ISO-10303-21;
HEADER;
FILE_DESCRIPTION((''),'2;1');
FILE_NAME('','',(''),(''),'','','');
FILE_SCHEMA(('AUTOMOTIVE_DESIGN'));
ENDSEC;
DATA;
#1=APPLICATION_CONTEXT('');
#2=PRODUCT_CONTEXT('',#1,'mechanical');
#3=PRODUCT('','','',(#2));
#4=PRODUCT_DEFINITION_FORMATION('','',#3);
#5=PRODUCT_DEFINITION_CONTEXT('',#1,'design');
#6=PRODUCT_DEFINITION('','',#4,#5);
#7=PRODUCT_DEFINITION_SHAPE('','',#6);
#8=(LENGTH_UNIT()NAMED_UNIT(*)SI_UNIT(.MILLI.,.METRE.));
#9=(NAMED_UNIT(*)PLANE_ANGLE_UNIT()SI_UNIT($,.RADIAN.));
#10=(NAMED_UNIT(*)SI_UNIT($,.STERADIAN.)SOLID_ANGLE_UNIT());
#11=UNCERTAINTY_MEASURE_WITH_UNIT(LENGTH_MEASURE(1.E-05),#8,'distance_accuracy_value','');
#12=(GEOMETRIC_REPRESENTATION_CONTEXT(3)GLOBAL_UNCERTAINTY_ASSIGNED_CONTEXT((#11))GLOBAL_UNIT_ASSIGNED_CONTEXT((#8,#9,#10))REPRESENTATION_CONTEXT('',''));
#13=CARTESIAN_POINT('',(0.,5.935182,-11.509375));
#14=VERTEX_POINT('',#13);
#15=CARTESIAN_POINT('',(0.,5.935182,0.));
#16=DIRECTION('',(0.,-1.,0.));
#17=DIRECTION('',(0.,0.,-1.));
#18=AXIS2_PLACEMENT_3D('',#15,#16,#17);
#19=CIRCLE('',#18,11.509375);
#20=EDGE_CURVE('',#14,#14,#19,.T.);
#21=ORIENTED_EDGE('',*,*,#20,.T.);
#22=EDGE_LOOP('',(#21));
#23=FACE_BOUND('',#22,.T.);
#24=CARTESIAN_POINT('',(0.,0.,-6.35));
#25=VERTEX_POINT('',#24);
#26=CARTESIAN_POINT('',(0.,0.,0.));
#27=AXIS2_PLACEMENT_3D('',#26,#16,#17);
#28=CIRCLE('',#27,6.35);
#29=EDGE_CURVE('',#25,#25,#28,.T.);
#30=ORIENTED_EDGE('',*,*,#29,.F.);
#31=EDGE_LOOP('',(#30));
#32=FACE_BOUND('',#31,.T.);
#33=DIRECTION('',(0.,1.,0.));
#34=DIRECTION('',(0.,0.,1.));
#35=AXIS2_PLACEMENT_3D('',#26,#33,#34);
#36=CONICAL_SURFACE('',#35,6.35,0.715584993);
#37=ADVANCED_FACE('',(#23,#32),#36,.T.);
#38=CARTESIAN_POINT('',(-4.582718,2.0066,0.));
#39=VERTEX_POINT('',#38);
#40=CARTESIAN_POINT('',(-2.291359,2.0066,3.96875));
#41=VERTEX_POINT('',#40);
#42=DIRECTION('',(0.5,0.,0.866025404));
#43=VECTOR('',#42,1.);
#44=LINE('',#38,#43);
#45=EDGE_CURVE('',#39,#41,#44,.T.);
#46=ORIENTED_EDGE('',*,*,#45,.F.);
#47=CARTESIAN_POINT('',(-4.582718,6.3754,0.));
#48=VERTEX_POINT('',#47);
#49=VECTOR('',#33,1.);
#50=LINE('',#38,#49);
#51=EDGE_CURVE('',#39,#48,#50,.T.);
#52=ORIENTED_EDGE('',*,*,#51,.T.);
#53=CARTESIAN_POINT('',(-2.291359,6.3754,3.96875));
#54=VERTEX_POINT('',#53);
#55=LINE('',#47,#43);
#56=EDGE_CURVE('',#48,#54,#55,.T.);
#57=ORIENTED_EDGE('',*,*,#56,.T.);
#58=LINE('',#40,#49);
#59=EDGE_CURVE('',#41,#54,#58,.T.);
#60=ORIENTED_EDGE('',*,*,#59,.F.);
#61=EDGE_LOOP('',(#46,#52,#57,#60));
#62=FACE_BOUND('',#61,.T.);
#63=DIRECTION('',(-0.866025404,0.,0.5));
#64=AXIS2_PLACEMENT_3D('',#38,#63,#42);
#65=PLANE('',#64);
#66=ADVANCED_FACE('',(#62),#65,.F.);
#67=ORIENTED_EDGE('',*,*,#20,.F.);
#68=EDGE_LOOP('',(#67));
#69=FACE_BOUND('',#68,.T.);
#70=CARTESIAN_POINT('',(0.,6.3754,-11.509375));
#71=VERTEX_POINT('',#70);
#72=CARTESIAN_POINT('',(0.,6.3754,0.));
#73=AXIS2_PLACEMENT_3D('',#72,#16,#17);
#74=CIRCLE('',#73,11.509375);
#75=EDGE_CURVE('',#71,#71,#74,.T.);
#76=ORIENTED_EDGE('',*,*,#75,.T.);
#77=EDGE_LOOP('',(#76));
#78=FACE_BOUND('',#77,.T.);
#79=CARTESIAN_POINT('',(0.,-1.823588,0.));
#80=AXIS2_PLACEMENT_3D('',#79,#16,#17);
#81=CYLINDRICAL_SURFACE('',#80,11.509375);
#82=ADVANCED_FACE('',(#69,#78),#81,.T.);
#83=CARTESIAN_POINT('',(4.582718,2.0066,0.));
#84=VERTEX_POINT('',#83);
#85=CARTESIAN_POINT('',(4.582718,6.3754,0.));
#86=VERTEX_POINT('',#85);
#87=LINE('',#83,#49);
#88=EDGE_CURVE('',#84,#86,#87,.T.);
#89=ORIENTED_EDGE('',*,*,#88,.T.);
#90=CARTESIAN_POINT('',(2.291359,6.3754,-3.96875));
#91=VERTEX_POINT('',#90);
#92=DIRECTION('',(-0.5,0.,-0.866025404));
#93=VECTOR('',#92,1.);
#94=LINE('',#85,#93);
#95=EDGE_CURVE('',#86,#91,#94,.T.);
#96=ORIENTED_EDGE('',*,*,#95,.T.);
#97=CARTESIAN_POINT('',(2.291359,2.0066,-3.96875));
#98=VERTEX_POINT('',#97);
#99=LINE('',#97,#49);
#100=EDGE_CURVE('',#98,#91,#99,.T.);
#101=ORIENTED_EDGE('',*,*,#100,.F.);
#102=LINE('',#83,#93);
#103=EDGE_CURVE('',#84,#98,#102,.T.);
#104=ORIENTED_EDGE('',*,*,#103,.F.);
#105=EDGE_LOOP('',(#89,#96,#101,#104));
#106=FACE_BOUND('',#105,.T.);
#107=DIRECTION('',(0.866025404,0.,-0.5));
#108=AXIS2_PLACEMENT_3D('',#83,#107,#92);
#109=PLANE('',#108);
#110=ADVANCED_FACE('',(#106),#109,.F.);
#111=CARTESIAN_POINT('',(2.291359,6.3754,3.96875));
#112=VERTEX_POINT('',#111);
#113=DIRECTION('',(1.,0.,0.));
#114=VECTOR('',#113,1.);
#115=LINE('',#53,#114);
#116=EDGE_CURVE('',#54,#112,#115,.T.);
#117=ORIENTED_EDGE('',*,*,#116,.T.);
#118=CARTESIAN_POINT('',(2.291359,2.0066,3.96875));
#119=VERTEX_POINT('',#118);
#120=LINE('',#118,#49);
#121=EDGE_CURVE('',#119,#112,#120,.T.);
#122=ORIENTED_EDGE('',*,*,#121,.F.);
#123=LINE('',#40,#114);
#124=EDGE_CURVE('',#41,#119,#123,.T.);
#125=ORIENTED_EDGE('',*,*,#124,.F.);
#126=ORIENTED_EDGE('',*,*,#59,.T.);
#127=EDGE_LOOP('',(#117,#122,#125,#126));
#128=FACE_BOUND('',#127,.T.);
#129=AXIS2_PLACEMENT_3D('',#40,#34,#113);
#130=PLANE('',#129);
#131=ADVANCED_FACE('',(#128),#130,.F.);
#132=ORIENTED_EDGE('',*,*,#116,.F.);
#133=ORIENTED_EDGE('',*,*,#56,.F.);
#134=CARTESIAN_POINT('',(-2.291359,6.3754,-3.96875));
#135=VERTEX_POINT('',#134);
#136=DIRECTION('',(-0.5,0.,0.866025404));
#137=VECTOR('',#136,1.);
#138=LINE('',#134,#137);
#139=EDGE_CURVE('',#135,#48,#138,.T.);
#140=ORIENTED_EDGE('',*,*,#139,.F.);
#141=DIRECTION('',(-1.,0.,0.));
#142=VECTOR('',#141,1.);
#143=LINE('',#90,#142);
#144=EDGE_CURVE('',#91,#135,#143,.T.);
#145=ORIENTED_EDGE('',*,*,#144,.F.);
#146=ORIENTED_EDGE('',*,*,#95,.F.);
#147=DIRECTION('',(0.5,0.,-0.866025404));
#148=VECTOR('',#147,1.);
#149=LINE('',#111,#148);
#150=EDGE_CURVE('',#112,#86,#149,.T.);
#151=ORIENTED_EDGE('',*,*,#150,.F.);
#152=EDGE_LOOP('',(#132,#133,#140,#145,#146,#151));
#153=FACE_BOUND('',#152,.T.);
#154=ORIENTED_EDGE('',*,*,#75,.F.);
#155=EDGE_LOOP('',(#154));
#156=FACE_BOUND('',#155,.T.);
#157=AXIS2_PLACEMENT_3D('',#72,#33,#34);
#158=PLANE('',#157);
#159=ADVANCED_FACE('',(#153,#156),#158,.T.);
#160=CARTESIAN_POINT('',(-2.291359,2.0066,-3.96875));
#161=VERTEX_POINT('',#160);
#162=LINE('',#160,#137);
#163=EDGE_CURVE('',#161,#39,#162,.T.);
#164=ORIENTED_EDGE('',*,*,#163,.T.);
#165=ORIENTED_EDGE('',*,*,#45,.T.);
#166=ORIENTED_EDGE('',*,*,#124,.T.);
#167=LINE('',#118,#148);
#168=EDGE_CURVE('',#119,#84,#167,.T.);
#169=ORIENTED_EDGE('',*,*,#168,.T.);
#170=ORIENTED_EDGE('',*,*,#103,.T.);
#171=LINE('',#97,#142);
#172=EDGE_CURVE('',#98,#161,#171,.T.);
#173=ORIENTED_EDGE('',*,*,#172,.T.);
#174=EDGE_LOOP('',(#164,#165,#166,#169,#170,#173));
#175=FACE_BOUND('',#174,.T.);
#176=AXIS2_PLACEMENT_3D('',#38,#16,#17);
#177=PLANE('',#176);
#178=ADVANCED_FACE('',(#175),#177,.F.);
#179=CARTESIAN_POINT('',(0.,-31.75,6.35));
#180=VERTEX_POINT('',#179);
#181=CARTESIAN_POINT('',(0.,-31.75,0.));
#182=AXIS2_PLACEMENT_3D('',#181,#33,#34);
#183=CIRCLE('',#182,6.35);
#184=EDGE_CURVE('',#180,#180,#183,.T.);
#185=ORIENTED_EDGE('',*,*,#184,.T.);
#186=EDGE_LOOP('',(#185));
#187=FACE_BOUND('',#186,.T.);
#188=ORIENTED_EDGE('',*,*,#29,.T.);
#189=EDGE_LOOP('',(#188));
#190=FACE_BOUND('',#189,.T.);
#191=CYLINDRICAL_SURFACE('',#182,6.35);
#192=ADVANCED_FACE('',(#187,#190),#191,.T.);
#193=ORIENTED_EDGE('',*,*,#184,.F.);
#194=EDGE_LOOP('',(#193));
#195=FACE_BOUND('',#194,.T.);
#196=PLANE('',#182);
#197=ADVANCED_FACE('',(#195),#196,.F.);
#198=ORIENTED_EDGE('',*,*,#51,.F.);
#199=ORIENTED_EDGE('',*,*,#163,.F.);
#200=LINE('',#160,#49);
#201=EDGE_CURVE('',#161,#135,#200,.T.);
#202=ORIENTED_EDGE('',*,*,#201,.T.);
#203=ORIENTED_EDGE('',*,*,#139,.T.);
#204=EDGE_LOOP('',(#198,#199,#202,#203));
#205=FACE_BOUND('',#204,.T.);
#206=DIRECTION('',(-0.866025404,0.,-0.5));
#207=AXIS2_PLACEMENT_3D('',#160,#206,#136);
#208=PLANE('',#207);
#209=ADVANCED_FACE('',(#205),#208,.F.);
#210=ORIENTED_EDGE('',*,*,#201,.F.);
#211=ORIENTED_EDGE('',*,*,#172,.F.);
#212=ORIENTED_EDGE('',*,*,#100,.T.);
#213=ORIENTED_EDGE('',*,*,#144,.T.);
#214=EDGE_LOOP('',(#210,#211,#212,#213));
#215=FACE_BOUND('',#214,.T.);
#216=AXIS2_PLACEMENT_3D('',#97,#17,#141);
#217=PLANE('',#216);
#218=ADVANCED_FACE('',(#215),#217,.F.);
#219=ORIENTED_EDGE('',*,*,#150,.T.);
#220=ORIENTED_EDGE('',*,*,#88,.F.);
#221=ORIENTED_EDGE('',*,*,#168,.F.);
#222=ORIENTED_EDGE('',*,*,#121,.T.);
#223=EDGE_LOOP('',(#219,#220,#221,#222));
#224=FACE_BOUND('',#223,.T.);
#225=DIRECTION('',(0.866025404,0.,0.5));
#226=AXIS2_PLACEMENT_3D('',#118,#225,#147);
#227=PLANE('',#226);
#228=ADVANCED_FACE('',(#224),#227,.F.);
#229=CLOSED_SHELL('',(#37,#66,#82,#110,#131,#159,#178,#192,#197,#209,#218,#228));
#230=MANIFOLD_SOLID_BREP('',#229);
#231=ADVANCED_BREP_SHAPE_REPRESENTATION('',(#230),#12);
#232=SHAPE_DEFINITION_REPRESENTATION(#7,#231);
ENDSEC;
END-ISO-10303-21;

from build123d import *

# Parameters (mm, degrees)
SKETCH2_R          = 6.35
LENGTH_DEPTH       = 31.75
CUT_EXTRUDE1_DEPTH = 4.3688


with BuildPart() as part:
    # Sketch1 → Head (revolve)
    with BuildSketch(Plane.XY):
        Polygon((0, 6.3754), (11.509375, 6.3754), (11.509375, 5.935182001), (6.35, 0), (0, 0), align=None)
    revolve(axis=Axis((0, -1.82358767, 0), (0, 1, 0)))

    # Sketch2 → Length (add)
    with BuildSketch(Plane(origin=(0, 0, 0), x_dir=(1, 0, 0), z_dir=(0, 1, 0))):
        Circle(SKETCH2_R)
    extrude(amount=-LENGTH_DEPTH)

    # Sketch3 → Cut-Extrude1 (cut)
    with BuildSketch(Plane(origin=(0, 6.3754, 0), x_dir=(-1, 0, 0), z_dir=(0, 1, 0))):
        Polygon((2.291358881, 3.96875), (-2.291358881, 3.96875), (-4.582717762, 0), (-2.291358881, -3.96875), (2.291358881, -3.96875), (4.582717762, 0), align=None)
    extrude(amount=-CUT_EXTRUDE1_DEPTH, mode=Mode.SUBTRACT)


solid = part.part
